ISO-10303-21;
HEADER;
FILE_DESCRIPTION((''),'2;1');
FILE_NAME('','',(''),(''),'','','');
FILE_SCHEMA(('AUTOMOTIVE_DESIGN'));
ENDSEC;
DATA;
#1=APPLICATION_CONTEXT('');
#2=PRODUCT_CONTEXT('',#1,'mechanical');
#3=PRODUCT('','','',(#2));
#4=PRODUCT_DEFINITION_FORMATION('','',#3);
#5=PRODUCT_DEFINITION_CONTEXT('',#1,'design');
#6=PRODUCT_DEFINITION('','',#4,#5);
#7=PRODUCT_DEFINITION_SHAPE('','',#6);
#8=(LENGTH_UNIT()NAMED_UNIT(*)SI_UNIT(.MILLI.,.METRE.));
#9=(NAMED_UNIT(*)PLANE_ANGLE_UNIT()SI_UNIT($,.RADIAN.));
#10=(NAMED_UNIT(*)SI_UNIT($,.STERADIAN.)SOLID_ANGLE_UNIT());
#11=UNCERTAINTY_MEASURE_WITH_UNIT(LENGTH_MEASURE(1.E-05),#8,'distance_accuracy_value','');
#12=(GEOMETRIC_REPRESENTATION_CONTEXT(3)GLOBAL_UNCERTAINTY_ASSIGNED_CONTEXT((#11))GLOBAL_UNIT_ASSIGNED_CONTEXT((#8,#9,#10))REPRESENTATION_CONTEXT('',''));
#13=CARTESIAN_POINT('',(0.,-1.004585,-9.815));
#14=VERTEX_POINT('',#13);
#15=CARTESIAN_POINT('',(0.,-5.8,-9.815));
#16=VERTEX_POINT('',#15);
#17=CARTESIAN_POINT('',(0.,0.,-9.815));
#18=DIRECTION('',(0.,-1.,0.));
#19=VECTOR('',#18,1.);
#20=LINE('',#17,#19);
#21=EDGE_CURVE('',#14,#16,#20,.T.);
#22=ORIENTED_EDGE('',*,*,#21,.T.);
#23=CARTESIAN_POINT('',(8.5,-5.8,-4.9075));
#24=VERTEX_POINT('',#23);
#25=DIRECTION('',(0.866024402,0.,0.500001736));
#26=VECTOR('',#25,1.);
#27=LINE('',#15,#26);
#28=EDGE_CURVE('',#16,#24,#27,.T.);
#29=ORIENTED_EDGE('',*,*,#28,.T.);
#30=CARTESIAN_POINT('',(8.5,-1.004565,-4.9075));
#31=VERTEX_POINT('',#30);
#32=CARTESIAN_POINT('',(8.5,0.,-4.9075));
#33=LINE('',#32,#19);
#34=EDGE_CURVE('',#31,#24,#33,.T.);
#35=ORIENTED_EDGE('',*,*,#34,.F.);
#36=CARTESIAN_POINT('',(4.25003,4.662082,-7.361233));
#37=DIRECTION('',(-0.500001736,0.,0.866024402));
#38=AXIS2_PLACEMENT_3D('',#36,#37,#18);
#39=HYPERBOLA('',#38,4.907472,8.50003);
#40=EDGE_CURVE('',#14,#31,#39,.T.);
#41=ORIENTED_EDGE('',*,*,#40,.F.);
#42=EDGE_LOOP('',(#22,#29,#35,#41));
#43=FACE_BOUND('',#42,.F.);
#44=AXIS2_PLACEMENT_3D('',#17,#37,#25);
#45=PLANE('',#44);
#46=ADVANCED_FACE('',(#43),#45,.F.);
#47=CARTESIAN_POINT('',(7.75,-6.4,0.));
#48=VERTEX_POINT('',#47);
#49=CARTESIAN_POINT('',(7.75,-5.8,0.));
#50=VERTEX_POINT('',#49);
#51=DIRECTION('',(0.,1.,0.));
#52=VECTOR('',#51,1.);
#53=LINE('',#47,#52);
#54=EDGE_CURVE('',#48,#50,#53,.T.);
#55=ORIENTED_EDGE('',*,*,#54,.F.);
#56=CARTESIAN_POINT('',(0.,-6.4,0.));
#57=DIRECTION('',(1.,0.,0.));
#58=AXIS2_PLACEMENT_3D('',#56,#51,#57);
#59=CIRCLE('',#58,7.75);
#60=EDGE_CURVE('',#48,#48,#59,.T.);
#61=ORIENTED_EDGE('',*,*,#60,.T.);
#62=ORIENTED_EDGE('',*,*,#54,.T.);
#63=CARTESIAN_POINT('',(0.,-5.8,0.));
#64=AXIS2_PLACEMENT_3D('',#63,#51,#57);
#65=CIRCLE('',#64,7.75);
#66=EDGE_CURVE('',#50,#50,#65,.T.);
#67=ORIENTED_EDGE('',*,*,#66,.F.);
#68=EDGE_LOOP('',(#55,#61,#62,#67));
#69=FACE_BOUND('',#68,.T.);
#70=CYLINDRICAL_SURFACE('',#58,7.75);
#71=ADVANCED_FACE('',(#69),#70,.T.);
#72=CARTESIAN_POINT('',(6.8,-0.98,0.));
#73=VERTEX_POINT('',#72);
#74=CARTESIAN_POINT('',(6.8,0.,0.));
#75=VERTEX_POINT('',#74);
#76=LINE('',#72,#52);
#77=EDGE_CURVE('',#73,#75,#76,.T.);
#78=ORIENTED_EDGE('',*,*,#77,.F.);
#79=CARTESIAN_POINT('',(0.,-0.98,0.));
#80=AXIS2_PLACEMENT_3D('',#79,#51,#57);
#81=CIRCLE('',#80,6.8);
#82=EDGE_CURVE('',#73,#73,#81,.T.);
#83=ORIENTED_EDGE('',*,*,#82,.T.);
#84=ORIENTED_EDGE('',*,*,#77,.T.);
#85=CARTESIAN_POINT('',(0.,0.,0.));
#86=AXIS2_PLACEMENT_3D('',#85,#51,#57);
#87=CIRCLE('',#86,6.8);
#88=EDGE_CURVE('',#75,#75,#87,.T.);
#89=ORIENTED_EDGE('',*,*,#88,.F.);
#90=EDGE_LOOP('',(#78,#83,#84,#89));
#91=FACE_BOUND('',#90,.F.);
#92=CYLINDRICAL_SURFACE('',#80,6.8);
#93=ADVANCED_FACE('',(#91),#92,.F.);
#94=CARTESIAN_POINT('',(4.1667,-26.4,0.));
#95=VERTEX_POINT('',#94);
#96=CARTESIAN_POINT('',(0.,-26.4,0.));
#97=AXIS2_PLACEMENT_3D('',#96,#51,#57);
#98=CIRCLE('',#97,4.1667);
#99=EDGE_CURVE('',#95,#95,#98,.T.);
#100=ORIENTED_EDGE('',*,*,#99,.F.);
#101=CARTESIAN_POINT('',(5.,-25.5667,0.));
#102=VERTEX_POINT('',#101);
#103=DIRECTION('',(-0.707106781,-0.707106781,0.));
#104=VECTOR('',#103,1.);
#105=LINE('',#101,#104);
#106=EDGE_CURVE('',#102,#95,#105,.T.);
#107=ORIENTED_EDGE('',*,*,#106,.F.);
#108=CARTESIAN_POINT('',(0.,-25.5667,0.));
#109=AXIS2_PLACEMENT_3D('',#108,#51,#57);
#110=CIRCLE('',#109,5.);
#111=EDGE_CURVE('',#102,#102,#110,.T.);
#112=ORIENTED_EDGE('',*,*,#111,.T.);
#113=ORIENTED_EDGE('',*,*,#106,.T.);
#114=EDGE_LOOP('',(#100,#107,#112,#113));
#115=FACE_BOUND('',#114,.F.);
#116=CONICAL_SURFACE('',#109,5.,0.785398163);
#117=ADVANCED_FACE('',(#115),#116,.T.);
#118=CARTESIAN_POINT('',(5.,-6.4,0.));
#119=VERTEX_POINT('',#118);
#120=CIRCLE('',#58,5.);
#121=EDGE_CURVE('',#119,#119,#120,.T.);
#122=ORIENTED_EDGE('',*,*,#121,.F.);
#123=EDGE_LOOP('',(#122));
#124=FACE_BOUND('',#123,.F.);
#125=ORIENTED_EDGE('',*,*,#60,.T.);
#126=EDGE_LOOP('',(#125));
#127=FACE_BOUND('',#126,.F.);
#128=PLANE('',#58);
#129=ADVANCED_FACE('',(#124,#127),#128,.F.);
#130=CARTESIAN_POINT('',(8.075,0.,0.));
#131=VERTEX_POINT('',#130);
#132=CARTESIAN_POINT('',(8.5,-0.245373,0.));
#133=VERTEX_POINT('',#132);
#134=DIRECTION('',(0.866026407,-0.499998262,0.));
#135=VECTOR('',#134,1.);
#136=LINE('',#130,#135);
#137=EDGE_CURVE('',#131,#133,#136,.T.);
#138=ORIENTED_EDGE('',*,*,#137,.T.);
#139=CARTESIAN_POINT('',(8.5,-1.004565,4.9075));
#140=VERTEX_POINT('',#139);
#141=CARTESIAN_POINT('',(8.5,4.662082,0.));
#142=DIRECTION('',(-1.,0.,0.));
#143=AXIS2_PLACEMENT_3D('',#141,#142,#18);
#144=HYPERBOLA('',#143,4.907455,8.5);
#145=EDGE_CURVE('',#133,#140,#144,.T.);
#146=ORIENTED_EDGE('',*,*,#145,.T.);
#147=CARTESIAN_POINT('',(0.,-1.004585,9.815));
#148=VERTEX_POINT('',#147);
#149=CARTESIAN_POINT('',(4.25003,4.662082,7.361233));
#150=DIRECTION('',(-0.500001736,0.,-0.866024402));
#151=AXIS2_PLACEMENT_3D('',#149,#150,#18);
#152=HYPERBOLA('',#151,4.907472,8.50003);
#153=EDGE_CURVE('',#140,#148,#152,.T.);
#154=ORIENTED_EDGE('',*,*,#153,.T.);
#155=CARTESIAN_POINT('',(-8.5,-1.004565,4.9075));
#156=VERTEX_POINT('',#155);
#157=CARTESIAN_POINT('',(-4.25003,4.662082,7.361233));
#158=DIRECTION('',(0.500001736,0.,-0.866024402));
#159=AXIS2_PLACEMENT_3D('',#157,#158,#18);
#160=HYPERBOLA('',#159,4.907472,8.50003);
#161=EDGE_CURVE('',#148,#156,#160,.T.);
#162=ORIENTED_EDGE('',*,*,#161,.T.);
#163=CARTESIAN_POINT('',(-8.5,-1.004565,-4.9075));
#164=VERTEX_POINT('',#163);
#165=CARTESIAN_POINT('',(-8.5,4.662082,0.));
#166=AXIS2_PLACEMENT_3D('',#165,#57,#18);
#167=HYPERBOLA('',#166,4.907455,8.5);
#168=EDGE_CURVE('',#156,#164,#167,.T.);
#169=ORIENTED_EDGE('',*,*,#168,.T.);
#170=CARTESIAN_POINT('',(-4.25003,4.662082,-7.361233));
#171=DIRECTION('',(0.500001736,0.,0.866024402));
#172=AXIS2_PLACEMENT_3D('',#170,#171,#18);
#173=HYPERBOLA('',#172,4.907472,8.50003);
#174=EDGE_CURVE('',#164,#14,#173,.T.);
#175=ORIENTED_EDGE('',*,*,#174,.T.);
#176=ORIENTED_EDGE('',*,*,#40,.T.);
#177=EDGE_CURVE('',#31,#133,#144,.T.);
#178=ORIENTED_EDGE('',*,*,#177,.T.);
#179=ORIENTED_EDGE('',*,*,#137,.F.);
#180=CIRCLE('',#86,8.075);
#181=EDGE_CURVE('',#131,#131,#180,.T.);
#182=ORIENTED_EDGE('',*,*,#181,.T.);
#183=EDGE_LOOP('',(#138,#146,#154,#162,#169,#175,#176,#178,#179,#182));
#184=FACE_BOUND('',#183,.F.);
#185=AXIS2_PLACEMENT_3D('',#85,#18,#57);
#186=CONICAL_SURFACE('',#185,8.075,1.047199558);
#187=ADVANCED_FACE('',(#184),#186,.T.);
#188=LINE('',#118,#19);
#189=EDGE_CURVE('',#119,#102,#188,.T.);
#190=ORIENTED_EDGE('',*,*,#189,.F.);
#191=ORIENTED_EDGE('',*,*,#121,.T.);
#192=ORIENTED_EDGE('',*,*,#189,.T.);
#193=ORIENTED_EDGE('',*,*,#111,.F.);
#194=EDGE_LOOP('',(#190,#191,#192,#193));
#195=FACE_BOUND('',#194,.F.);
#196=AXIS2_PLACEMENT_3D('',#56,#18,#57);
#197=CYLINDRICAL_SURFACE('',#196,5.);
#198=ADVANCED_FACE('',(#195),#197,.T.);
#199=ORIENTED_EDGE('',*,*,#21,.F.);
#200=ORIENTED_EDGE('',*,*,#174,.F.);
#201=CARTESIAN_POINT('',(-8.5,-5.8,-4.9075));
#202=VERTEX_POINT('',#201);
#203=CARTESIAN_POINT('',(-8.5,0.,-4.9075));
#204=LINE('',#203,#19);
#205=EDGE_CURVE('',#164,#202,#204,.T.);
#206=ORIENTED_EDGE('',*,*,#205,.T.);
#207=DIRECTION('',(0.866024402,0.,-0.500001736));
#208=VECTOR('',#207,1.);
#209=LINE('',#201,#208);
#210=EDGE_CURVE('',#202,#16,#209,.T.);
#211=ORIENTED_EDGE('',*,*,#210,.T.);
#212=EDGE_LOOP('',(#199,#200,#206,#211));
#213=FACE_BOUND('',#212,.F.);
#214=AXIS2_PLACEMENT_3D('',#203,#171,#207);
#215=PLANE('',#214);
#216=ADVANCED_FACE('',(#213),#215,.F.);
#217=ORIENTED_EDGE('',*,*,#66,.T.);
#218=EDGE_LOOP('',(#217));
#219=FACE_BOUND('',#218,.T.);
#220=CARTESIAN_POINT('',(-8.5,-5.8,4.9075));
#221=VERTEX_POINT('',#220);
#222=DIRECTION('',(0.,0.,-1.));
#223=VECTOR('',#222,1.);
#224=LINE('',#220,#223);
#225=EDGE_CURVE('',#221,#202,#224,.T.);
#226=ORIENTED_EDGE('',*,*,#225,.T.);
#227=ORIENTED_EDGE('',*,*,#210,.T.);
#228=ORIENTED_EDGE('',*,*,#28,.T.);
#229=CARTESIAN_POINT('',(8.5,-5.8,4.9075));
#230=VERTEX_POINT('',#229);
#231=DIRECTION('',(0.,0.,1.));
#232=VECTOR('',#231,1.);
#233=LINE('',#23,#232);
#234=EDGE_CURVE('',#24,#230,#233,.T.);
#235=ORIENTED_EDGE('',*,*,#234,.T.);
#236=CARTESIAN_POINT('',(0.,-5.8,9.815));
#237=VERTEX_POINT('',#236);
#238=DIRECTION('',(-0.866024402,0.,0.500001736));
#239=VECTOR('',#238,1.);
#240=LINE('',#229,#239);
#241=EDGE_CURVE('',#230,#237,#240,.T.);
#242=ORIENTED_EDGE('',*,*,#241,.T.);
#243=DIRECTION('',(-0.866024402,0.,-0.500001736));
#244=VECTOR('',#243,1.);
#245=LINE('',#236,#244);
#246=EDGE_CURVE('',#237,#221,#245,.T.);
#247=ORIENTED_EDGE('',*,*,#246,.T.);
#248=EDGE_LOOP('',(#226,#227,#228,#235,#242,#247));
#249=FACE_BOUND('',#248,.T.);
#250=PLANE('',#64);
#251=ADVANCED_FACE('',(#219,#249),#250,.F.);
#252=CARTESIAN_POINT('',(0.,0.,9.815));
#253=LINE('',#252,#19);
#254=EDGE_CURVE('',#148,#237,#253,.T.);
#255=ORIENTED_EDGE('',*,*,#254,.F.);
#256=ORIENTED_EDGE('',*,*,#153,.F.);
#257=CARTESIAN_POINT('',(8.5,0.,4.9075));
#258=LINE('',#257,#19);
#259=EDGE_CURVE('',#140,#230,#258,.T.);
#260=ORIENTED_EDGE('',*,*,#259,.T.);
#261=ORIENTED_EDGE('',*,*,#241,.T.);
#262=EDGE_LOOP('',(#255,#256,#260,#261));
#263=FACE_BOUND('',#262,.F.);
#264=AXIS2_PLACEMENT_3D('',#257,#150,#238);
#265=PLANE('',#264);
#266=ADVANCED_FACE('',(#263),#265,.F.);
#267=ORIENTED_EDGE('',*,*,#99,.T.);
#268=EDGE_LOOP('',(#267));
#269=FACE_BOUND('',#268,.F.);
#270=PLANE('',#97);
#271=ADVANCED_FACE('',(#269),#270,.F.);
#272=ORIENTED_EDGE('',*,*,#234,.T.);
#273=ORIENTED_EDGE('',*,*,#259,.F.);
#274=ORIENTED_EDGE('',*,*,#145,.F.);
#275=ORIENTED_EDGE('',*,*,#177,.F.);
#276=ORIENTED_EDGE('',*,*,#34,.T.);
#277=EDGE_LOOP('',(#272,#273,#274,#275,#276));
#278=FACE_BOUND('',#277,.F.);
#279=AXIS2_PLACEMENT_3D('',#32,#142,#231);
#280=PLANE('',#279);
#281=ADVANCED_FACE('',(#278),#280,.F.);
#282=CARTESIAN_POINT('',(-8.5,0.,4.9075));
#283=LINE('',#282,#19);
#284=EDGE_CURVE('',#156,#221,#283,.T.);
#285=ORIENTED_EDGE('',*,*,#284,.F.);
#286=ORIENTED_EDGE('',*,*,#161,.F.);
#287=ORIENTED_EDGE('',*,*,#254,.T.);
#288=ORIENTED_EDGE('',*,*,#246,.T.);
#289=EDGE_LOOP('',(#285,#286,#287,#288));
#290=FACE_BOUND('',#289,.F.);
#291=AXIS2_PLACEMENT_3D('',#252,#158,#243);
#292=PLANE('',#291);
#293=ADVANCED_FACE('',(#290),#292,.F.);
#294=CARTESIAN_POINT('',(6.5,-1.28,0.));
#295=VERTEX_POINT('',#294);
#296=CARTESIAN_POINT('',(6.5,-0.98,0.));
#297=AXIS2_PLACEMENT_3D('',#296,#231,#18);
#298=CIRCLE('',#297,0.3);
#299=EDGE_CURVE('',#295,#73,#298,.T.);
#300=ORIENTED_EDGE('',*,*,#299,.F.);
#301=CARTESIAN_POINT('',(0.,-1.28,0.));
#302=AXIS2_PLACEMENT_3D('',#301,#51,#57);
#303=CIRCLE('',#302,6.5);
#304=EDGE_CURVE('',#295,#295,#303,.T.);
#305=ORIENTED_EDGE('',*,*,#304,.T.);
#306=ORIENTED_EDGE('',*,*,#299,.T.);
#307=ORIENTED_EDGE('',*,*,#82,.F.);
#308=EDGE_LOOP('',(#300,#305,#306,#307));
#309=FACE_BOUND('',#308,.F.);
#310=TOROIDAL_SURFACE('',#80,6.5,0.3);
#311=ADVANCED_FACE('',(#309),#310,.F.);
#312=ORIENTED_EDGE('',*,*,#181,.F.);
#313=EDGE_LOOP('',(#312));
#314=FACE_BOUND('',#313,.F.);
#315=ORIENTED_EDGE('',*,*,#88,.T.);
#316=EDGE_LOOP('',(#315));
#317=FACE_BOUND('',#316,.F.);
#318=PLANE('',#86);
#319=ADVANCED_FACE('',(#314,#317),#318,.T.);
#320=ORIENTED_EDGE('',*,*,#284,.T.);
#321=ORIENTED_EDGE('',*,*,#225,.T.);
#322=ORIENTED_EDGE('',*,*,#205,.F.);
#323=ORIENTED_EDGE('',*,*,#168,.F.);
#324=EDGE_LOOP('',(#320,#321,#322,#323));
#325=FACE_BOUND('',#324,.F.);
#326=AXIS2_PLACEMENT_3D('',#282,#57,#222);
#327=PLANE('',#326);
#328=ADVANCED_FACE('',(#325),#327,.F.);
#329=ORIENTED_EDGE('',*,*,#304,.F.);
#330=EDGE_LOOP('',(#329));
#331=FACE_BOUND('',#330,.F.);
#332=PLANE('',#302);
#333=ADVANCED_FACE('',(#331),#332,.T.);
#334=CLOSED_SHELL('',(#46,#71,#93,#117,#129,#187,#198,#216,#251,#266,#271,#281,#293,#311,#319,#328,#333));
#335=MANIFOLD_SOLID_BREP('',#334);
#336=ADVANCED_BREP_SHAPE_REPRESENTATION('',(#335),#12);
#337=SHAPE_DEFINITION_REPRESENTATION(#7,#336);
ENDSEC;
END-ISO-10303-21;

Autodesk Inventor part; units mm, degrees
ref_plane "YZ Plane" through (0, 0, 0) normal (1, 0, 0) x (0, 1, 0)
ref_plane "XZ Plane" through (0, 0, 0) normal (0, 1, 0) x (-1, 0, 0)
ref_plane "XY Plane" through (0, 0, 0) normal (0, 0, 1) x (1, 0, 0)
sketch "Sketch1" plane through (0, 0, 0) normal (0, 0, 1) x (1, 0, 0)
  line L0 (6.8, 0) -> (8.075, 0)
  line L1 (12.75, -2.6991) -> (12.75, -5.8)
  line L2 (7.75, -6.4) -> (5, -6.4)
  line L3 (5, -6.4) -> (5, -26.4)
  line L4 (5, -26.4) -> (0, -26.4)
  line L5 (0, -26.4) -> (0, 0)
  line L6 (7.75, -6.4) -> (7.75, -5.8)
  line L7 (7.75, -5.8) -> (12.75, -5.8)
  line L8 (0, -1.28) -> (6.5, -1.28)
  line L9 (6.8, -0.98) -> (6.8, 0)
  line L10 (8.075, 0) -> (12.75, -2.6991)
  arc A0 (6.5, -1.28) -> (6.8, -0.98) centre (6.5, -0.98) ccw
  dimension "d0" = 25.5
  dimension "d1" = 10
  dimension "d3" = 20
  dimension "d4" = 15.5
  dimension "d5" = 0.6
  dimension "d26" = 16.15
  dimension "d27" = 30
  dimension "d28" = 13.6
  dimension "d29" = 1.28
  dimension "d30" = 0.3
  dimension "d31" = 6.4
revolve "Revolution1" add sketch "Sketch1" angle 360 about axis through (0, -26.4, 0) along (0, 1, 0)
sketch "Sketch2" plane through (0, 0, 0) normal (0, 1, 0) x (1, 0, 0)
  line L0 (0, -9.815) -> (-8.5, -4.9075)
  line L1 (-8.5, -4.9075) -> (-8.5, 4.9075)
  line L2 (-8.5, 4.9075) -> (0, 9.815)
  line L3 (0, 9.815) -> (8.5, 4.9075)
  line L4 (8.5, 4.9075) -> (8.5, -4.9075)
  line L5 (8.5, -4.9075) -> (0, -9.815)
  circle A0 centre (0, 0) radius 12.75 projected
  point P0 (0, 0)
  point P1 (0, 0)
  dimension "d32" = 17
extrude "Extrusion1" cut sketch "Sketch2" against normal blind 5.8
thread "Thread1" size "M10x1.5" class "6g" standard "ISO Metric profile" length 18
chamfer "Chamfer1" distance 0.8333 angle 45 1 edges at (-5, -26.4, 0)
equation "\"d0\" = 1.5 * S_"
equation "\"d1\" = d1_"
equation "\"d3\" = L"
equation "\"d4\" = dw"
equation "\"d5\" = hw"
equation "\"d26\" = 0.95 * S_"
equation "\"d28\" = 0.8 * S_"
equation "\"d29\" = 0.2 * k"
equation "\"d31\" = k"
equation "\"d14\" = b"
equation "\"d16\" = 0.0833333 * d"
equation "\"d32\" = S_"
equation "\"d33\" = k - hw"
equation "\"d1_\" = 10"
equation "\"S_\" = 17"
equation "\"k\" = 6.4"
equation "\"e\" = 18.7"
equation "\"L\" = 20"
equation "\"b\" = 18"
equation "\"Grip_Length\" = 2"
equation "\"dw\" = 15.5"
equation "\"hw\" = 0.6"
equation "\"d\" = 10"
properties part number "Bolt 4A M10-6g×20 GOST 7798-70" material "Steel, Mild"
